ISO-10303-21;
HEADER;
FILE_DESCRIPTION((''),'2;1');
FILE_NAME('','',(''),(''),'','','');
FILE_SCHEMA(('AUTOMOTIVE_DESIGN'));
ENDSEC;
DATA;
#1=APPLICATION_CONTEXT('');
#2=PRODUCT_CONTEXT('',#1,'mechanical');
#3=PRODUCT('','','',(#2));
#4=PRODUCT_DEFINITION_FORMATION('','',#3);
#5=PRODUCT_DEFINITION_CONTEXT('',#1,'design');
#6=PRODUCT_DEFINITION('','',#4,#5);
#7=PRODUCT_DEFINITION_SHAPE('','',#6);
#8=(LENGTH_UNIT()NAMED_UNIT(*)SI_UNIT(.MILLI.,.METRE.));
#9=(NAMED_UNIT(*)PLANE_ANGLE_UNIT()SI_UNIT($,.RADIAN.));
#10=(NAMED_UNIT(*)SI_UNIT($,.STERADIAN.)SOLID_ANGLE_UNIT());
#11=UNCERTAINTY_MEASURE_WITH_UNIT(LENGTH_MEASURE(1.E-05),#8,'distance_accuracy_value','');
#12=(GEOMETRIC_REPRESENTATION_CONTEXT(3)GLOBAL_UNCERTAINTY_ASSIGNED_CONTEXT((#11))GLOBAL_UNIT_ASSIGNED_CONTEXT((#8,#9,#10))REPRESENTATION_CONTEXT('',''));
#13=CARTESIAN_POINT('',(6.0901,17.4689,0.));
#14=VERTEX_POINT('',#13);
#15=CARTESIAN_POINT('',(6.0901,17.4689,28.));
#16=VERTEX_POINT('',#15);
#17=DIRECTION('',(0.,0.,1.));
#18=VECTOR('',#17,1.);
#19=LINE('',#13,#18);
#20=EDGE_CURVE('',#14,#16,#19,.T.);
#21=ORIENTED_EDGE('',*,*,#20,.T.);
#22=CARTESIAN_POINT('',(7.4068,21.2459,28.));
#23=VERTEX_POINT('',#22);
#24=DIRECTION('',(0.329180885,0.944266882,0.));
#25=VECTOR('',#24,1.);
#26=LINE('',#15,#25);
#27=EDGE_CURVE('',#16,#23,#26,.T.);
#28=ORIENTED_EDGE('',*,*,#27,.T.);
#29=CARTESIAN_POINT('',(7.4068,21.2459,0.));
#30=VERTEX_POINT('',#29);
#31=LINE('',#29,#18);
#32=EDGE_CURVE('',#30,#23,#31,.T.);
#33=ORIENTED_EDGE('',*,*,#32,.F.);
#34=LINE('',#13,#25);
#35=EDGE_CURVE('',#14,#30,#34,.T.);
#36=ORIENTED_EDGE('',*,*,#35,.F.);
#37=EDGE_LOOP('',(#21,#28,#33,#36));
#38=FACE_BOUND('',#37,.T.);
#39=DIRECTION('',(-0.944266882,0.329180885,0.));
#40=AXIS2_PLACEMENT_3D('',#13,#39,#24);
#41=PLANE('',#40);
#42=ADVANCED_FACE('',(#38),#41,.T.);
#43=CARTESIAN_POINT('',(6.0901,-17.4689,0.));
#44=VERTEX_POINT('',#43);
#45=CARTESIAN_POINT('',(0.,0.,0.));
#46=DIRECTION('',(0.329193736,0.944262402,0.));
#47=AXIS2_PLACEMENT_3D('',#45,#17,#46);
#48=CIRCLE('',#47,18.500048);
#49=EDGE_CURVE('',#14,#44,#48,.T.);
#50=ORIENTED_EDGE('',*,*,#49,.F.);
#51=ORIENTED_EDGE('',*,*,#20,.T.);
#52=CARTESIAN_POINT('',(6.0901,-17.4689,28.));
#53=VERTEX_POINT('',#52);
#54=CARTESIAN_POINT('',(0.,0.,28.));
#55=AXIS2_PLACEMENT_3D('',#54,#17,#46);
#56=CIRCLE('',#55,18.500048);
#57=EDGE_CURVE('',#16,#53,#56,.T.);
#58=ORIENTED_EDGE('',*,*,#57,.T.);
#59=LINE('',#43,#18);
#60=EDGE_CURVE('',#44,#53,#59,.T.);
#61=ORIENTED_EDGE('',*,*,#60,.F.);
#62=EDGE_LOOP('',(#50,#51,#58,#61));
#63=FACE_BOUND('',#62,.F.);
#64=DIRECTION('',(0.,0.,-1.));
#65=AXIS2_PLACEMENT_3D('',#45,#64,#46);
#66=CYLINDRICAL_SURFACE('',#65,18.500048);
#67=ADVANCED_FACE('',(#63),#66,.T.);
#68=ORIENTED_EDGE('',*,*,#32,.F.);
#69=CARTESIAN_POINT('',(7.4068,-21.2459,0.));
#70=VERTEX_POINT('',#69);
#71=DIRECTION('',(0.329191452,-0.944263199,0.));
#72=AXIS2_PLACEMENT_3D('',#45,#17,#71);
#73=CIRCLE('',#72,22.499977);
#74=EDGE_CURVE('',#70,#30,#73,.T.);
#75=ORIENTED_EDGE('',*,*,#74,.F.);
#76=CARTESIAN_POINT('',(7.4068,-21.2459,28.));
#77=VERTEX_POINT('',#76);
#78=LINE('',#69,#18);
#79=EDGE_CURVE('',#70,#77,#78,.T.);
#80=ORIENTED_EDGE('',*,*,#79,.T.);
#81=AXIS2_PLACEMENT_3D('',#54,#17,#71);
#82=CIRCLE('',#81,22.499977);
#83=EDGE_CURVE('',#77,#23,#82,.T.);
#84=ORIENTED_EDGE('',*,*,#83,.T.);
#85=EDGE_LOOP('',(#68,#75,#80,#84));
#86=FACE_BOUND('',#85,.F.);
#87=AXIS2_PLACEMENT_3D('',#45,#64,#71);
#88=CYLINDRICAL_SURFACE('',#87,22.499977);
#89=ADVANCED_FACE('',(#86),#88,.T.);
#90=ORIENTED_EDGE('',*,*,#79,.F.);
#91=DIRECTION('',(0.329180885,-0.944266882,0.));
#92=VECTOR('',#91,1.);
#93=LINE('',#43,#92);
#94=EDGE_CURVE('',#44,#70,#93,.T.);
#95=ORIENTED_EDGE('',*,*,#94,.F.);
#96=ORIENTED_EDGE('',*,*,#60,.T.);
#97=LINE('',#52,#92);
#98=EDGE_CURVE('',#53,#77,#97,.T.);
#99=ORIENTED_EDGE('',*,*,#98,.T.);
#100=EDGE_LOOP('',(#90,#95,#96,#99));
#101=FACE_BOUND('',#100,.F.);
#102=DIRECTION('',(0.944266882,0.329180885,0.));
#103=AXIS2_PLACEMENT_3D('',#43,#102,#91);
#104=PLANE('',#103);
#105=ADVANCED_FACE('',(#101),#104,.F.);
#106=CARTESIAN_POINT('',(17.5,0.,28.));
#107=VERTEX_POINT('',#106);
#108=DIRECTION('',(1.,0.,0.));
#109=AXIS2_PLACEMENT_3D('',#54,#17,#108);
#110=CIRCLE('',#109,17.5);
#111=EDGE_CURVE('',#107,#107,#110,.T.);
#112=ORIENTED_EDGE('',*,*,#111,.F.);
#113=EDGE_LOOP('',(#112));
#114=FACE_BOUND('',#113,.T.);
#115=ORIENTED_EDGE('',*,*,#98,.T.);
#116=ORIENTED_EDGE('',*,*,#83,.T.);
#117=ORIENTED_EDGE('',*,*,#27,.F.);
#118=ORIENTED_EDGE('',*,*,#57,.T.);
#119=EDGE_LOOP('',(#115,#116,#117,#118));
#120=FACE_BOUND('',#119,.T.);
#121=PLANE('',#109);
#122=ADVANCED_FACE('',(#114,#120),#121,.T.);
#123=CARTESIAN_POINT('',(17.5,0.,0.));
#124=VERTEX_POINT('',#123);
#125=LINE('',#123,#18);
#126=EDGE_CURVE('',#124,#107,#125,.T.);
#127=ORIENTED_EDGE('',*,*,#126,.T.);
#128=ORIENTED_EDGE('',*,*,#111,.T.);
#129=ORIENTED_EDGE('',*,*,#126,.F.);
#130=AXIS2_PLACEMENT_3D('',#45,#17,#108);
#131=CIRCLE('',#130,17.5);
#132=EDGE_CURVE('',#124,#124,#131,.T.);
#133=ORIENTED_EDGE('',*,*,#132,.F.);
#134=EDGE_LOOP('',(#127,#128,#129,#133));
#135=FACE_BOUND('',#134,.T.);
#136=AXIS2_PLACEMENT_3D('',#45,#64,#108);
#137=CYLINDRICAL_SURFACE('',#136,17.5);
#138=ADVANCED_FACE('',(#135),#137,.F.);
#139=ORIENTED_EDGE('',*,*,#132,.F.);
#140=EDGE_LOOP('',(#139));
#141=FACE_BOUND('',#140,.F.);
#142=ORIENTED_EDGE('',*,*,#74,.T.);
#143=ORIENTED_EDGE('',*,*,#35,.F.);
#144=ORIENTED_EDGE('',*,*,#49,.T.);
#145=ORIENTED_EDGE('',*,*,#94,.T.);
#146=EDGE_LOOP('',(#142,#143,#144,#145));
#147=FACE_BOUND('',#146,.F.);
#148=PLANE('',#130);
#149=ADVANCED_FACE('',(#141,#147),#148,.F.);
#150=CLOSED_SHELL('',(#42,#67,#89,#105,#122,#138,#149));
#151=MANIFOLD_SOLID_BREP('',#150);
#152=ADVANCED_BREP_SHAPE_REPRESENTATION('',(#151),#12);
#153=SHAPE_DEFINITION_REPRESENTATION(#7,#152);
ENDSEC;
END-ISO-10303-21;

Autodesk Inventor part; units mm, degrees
ref_plane "YZ Plane" through (0, 0, 0) normal (1, 0, 0) x (0, 1, 0)
ref_plane "XZ Plane" through (0, 0, 0) normal (0, 1, 0) x (-1, 0, 0)
ref_plane "XY Plane" through (0, 0, 0) normal (0, 0, 1) x (1, 0, 0)
sketch "Sketch1" plane through (0, 0, 0) normal (0, 0, 1) x (1, 0, 0)
  circle A0 centre (0, 0) radius 17.5
  arc A1 (7.4068, -21.2459) -> (7.4068, 21.2459) centre (0, 0) ccw
  arc A2 (6.0901, 17.4689) -> (6.0901, -17.4689) centre (0, 0) ccw
  line L0 (5.7609, 21.75) -> (5.7609, 16.5246) construction
  line L1 (5.7609, -16.5246) -> (5.7609, -21.75) construction
  line L2 (6.0901, -17.4689) -> (7.4068, -21.2459)
  line L3 (6.0901, 17.4689) -> (7.4068, 21.2459)
  dimension "d0" = 35
  dimension "d1" = 45
  dimension "d2" = 43.5
  dimension "d3" = 37
  dimension "d4" = 1.646
  dimension "d5" = 0.5041
  dimension "d6" = 1.646
  dimension "d7" = 0.5041
extrude "Extrusion1" add sketch "Sketch1" along normal blind 28
properties part number "PG35LHeatSink"
